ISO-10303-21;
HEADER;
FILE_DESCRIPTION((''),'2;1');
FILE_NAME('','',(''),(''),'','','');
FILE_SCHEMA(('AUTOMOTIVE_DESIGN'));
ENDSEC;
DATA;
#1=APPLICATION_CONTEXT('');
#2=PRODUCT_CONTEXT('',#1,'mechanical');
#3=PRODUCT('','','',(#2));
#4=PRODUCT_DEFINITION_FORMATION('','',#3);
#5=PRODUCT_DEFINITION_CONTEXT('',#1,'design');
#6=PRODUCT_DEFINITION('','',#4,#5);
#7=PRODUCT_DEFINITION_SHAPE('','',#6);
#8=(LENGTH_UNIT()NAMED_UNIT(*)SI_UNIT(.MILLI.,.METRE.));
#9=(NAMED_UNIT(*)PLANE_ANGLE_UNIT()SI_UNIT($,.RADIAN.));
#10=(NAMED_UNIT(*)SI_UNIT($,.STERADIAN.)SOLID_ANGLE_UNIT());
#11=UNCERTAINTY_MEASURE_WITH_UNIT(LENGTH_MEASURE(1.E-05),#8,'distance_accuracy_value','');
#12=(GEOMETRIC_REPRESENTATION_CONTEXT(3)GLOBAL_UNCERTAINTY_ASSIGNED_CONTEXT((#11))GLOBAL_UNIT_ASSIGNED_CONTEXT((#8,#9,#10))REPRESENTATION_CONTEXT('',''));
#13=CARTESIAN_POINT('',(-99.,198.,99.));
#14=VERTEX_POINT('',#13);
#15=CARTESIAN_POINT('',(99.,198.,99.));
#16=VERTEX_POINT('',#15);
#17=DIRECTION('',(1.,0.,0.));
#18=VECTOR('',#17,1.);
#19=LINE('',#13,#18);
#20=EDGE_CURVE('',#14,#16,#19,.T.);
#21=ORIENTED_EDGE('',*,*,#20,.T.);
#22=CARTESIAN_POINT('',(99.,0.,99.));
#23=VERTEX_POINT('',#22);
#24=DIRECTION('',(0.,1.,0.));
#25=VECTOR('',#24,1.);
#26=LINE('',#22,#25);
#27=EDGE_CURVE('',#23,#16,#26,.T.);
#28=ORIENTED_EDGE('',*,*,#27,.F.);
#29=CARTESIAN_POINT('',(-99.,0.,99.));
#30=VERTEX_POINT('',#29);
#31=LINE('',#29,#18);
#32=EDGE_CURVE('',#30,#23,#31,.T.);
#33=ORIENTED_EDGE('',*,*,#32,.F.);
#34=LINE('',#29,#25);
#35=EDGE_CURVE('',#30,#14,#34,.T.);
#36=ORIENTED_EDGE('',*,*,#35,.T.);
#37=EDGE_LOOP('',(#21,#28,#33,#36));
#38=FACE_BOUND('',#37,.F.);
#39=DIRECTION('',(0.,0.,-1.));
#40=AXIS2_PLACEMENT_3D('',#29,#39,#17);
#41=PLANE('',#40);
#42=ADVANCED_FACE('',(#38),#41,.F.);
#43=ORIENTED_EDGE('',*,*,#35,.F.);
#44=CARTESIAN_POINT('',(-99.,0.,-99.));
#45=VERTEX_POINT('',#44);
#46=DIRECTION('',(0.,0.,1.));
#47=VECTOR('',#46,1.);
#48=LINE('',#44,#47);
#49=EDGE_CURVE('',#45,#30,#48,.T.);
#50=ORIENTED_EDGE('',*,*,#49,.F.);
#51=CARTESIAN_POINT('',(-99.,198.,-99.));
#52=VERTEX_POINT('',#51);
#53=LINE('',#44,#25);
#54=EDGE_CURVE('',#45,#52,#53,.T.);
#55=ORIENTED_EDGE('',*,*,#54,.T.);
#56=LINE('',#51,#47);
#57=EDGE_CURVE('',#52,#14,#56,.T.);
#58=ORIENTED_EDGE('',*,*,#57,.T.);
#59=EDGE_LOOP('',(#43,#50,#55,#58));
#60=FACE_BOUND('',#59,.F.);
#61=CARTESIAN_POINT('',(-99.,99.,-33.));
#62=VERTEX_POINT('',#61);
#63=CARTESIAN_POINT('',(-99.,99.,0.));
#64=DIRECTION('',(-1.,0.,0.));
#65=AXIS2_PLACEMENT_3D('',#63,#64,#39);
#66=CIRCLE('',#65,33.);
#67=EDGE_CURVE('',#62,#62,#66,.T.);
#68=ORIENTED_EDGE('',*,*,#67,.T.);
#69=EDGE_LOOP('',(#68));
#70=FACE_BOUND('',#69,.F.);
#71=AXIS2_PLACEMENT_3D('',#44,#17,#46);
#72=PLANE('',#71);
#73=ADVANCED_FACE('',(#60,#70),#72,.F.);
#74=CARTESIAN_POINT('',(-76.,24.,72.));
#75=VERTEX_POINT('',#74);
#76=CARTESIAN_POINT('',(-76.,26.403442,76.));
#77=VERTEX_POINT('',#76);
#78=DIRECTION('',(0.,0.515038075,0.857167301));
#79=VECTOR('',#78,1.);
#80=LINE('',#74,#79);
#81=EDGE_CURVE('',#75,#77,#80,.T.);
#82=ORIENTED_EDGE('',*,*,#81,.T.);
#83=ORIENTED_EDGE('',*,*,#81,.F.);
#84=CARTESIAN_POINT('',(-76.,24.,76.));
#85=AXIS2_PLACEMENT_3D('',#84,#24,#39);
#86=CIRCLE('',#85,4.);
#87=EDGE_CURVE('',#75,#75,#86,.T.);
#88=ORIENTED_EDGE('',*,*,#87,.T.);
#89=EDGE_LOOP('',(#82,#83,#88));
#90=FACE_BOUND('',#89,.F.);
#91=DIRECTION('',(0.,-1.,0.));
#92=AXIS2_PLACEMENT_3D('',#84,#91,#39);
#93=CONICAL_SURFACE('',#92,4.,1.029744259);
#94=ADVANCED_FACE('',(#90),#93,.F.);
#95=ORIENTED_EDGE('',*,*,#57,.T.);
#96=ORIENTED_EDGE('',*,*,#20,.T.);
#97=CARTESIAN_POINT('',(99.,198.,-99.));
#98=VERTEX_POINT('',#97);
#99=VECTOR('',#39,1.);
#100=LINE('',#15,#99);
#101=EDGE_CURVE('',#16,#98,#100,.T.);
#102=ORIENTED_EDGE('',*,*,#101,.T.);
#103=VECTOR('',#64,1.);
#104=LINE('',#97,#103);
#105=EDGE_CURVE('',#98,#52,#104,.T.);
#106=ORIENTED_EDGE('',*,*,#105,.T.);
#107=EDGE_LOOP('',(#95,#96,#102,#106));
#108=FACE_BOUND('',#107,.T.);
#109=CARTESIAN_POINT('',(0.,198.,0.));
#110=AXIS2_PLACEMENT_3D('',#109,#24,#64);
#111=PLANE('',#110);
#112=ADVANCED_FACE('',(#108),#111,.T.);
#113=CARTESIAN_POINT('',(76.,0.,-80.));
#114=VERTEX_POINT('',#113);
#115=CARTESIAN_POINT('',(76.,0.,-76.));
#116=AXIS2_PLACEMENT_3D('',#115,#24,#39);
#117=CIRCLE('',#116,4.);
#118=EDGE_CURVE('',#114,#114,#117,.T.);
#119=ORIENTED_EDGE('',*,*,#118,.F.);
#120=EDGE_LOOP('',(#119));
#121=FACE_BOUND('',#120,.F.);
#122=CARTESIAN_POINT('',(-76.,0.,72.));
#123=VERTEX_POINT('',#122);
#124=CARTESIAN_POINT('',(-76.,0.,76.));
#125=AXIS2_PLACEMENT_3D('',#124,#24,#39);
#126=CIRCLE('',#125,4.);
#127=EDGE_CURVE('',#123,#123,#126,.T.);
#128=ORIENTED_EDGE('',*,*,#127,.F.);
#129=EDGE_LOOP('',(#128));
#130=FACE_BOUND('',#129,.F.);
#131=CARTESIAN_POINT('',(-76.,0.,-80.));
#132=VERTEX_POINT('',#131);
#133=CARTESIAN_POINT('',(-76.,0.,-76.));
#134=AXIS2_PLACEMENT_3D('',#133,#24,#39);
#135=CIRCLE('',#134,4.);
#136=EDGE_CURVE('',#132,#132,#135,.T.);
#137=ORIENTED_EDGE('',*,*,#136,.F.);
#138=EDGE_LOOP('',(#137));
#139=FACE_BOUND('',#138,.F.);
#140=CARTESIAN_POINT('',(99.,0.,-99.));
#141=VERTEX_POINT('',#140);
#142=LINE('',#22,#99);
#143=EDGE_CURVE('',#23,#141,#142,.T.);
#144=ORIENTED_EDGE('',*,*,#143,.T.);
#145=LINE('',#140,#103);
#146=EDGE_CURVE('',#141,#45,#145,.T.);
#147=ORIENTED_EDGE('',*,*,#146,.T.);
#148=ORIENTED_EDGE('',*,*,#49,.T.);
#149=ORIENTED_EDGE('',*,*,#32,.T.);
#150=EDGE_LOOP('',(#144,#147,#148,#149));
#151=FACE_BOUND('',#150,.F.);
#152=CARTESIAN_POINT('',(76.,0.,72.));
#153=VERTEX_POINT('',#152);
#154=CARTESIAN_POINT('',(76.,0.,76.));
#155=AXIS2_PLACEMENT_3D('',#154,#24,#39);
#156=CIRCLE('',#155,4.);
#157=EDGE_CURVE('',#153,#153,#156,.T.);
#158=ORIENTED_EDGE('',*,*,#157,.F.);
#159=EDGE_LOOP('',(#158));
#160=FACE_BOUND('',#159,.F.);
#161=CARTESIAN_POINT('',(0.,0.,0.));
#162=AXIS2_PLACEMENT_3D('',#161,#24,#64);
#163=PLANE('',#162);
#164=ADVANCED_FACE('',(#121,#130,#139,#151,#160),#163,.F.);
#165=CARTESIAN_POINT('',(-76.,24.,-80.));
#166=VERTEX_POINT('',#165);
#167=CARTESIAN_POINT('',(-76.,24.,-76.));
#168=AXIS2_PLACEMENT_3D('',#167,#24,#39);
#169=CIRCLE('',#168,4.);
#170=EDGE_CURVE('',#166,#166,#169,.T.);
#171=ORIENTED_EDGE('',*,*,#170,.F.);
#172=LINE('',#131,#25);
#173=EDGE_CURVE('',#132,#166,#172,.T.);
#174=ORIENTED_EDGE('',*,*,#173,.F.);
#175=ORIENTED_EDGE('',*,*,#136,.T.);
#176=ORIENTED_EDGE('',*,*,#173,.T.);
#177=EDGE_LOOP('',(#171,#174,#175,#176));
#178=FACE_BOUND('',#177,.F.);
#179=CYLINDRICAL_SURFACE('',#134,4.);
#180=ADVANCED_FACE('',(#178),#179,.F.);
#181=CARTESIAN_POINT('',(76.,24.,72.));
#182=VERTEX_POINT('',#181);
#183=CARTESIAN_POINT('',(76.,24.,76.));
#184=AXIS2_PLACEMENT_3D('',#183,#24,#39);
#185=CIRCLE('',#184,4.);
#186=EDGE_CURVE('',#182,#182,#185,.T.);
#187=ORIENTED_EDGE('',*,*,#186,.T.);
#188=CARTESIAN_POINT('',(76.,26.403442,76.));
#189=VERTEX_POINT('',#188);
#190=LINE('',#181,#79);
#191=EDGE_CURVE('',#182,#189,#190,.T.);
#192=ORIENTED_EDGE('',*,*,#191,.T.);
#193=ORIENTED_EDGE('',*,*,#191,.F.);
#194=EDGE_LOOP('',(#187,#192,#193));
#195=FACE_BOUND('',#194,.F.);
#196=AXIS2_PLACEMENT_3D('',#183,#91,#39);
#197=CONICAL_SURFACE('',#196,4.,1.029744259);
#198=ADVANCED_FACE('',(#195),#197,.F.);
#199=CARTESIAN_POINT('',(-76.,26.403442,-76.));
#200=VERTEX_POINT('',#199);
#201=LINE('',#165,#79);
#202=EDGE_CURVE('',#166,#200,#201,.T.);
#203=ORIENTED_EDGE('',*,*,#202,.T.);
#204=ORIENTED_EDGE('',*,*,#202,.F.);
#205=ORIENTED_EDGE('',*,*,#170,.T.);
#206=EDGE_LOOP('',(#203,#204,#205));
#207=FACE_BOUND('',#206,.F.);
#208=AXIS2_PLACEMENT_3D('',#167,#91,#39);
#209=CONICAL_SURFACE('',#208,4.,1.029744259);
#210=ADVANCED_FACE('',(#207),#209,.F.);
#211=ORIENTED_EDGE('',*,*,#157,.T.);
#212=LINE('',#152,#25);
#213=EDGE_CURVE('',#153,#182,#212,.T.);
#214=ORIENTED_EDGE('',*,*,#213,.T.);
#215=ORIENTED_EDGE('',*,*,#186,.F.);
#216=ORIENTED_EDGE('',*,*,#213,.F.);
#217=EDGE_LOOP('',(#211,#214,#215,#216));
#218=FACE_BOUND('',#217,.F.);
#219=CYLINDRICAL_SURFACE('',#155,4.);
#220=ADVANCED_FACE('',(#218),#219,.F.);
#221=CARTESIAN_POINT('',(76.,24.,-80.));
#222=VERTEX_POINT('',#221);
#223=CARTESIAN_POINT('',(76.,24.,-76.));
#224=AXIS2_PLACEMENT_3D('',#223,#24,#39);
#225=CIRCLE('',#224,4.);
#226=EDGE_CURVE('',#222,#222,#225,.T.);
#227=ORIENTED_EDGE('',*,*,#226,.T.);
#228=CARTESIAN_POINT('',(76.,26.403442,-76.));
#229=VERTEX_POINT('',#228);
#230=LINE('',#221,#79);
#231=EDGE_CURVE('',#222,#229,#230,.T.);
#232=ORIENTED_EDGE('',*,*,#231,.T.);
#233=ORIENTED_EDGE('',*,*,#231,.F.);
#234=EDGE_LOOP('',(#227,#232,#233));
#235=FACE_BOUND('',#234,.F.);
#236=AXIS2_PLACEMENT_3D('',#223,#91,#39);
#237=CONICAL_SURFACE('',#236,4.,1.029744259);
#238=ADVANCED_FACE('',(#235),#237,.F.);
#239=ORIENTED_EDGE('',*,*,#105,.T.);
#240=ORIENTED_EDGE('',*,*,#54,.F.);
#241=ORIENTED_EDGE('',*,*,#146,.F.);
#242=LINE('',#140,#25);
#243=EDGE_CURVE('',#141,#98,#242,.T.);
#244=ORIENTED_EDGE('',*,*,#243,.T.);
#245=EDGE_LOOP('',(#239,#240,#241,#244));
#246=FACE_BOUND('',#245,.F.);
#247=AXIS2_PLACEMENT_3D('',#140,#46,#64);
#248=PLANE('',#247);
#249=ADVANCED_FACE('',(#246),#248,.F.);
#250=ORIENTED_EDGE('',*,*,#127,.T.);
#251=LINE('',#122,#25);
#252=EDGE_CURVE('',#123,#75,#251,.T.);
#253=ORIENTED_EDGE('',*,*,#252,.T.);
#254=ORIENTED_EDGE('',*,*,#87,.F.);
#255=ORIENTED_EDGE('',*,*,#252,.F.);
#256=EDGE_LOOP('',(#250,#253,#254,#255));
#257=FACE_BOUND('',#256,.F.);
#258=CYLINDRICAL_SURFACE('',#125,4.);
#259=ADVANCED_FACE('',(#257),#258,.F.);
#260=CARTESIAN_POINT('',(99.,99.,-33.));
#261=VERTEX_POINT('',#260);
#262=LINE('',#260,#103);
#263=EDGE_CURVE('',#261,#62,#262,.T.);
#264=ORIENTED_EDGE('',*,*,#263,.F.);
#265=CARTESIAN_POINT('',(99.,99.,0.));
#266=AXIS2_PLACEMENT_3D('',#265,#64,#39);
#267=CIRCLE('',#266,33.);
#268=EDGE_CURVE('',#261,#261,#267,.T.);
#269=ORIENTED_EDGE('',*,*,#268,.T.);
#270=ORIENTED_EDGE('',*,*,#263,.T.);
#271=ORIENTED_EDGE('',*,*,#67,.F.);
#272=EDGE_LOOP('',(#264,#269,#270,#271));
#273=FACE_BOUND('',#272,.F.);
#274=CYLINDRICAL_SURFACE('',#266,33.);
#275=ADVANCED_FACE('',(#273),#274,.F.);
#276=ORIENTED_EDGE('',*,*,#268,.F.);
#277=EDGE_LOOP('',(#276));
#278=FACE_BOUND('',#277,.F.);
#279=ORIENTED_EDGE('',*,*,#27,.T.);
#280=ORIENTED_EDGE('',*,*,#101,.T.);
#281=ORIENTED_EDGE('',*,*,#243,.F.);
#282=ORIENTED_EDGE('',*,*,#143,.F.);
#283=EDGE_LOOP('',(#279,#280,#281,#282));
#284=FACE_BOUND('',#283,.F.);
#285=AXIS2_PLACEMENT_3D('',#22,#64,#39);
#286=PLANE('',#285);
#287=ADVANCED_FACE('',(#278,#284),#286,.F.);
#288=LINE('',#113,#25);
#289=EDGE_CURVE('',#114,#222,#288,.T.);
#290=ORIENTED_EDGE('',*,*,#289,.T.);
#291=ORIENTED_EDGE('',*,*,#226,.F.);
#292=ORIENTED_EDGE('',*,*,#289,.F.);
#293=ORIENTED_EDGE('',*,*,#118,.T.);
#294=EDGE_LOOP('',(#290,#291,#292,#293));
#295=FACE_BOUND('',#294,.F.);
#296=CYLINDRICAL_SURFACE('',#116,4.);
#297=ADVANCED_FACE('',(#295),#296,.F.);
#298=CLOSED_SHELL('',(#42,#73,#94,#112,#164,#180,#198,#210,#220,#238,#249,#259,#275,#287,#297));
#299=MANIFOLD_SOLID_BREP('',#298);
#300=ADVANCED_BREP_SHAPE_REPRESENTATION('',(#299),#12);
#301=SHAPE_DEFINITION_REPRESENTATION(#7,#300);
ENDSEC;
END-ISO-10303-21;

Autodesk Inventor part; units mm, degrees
ref_plane "YZ Plane" through (0, 0, 0) normal (1, 0, 0) x (0, 1, 0)
ref_plane "XZ Plane" through (0, 0, 0) normal (0, 1, 0) x (-1, 0, 0)
ref_plane "XY Plane" through (0, 0, 0) normal (0, 0, 1) x (1, 0, 0)
sketch "Sketch1" plane through (0, 0, 0) normal (0, 1, 0) x (-1, 0, 0)
  line L0 (99, 99) -> (-99, 99)
  line L1 (-99, 99) -> (-99, -99)
  line L2 (-99, -99) -> (99, -99)
  line L3 (99, -99) -> (99, 99)
  line L4 (99, 99) -> (-99, -99) construction
  line L5 (-99, 99) -> (99, -99) construction
  point P0 (0, 0)
  dimension "d0" = 198
  dimension "d1" = 198
extrude "Box" add sketch "Sketch1" along normal blind 198
sketch "Sketch2" plane through (99, 0, 99) normal (1, 0, 0) x (0, 0, -1)
  point P0 (99, 0)
  point P1 (99, 99)
hole "DecAxisHole" at (99, 99, 0) direction (-1, 0, 0) diameter 66 depth 198
sketch "Sketch3" plane through (0, 0, 0) normal (0, -1, 0) x (1, 0, 0)
  point P0 (0, 0)
  point P1 (-76, -76)
  point P2 (76, -76)
  point P3 (76, 76)
  point P4 (-76, 76)
hole "BoltHoles" at (-76, 0, -76) at (76, 0, -76) at (76, 0, 76) at (-76, 0, 76) direction (0, 1, 0) diameter 8 depth 24 tip angle 118
properties part number "RaDecConnector"
